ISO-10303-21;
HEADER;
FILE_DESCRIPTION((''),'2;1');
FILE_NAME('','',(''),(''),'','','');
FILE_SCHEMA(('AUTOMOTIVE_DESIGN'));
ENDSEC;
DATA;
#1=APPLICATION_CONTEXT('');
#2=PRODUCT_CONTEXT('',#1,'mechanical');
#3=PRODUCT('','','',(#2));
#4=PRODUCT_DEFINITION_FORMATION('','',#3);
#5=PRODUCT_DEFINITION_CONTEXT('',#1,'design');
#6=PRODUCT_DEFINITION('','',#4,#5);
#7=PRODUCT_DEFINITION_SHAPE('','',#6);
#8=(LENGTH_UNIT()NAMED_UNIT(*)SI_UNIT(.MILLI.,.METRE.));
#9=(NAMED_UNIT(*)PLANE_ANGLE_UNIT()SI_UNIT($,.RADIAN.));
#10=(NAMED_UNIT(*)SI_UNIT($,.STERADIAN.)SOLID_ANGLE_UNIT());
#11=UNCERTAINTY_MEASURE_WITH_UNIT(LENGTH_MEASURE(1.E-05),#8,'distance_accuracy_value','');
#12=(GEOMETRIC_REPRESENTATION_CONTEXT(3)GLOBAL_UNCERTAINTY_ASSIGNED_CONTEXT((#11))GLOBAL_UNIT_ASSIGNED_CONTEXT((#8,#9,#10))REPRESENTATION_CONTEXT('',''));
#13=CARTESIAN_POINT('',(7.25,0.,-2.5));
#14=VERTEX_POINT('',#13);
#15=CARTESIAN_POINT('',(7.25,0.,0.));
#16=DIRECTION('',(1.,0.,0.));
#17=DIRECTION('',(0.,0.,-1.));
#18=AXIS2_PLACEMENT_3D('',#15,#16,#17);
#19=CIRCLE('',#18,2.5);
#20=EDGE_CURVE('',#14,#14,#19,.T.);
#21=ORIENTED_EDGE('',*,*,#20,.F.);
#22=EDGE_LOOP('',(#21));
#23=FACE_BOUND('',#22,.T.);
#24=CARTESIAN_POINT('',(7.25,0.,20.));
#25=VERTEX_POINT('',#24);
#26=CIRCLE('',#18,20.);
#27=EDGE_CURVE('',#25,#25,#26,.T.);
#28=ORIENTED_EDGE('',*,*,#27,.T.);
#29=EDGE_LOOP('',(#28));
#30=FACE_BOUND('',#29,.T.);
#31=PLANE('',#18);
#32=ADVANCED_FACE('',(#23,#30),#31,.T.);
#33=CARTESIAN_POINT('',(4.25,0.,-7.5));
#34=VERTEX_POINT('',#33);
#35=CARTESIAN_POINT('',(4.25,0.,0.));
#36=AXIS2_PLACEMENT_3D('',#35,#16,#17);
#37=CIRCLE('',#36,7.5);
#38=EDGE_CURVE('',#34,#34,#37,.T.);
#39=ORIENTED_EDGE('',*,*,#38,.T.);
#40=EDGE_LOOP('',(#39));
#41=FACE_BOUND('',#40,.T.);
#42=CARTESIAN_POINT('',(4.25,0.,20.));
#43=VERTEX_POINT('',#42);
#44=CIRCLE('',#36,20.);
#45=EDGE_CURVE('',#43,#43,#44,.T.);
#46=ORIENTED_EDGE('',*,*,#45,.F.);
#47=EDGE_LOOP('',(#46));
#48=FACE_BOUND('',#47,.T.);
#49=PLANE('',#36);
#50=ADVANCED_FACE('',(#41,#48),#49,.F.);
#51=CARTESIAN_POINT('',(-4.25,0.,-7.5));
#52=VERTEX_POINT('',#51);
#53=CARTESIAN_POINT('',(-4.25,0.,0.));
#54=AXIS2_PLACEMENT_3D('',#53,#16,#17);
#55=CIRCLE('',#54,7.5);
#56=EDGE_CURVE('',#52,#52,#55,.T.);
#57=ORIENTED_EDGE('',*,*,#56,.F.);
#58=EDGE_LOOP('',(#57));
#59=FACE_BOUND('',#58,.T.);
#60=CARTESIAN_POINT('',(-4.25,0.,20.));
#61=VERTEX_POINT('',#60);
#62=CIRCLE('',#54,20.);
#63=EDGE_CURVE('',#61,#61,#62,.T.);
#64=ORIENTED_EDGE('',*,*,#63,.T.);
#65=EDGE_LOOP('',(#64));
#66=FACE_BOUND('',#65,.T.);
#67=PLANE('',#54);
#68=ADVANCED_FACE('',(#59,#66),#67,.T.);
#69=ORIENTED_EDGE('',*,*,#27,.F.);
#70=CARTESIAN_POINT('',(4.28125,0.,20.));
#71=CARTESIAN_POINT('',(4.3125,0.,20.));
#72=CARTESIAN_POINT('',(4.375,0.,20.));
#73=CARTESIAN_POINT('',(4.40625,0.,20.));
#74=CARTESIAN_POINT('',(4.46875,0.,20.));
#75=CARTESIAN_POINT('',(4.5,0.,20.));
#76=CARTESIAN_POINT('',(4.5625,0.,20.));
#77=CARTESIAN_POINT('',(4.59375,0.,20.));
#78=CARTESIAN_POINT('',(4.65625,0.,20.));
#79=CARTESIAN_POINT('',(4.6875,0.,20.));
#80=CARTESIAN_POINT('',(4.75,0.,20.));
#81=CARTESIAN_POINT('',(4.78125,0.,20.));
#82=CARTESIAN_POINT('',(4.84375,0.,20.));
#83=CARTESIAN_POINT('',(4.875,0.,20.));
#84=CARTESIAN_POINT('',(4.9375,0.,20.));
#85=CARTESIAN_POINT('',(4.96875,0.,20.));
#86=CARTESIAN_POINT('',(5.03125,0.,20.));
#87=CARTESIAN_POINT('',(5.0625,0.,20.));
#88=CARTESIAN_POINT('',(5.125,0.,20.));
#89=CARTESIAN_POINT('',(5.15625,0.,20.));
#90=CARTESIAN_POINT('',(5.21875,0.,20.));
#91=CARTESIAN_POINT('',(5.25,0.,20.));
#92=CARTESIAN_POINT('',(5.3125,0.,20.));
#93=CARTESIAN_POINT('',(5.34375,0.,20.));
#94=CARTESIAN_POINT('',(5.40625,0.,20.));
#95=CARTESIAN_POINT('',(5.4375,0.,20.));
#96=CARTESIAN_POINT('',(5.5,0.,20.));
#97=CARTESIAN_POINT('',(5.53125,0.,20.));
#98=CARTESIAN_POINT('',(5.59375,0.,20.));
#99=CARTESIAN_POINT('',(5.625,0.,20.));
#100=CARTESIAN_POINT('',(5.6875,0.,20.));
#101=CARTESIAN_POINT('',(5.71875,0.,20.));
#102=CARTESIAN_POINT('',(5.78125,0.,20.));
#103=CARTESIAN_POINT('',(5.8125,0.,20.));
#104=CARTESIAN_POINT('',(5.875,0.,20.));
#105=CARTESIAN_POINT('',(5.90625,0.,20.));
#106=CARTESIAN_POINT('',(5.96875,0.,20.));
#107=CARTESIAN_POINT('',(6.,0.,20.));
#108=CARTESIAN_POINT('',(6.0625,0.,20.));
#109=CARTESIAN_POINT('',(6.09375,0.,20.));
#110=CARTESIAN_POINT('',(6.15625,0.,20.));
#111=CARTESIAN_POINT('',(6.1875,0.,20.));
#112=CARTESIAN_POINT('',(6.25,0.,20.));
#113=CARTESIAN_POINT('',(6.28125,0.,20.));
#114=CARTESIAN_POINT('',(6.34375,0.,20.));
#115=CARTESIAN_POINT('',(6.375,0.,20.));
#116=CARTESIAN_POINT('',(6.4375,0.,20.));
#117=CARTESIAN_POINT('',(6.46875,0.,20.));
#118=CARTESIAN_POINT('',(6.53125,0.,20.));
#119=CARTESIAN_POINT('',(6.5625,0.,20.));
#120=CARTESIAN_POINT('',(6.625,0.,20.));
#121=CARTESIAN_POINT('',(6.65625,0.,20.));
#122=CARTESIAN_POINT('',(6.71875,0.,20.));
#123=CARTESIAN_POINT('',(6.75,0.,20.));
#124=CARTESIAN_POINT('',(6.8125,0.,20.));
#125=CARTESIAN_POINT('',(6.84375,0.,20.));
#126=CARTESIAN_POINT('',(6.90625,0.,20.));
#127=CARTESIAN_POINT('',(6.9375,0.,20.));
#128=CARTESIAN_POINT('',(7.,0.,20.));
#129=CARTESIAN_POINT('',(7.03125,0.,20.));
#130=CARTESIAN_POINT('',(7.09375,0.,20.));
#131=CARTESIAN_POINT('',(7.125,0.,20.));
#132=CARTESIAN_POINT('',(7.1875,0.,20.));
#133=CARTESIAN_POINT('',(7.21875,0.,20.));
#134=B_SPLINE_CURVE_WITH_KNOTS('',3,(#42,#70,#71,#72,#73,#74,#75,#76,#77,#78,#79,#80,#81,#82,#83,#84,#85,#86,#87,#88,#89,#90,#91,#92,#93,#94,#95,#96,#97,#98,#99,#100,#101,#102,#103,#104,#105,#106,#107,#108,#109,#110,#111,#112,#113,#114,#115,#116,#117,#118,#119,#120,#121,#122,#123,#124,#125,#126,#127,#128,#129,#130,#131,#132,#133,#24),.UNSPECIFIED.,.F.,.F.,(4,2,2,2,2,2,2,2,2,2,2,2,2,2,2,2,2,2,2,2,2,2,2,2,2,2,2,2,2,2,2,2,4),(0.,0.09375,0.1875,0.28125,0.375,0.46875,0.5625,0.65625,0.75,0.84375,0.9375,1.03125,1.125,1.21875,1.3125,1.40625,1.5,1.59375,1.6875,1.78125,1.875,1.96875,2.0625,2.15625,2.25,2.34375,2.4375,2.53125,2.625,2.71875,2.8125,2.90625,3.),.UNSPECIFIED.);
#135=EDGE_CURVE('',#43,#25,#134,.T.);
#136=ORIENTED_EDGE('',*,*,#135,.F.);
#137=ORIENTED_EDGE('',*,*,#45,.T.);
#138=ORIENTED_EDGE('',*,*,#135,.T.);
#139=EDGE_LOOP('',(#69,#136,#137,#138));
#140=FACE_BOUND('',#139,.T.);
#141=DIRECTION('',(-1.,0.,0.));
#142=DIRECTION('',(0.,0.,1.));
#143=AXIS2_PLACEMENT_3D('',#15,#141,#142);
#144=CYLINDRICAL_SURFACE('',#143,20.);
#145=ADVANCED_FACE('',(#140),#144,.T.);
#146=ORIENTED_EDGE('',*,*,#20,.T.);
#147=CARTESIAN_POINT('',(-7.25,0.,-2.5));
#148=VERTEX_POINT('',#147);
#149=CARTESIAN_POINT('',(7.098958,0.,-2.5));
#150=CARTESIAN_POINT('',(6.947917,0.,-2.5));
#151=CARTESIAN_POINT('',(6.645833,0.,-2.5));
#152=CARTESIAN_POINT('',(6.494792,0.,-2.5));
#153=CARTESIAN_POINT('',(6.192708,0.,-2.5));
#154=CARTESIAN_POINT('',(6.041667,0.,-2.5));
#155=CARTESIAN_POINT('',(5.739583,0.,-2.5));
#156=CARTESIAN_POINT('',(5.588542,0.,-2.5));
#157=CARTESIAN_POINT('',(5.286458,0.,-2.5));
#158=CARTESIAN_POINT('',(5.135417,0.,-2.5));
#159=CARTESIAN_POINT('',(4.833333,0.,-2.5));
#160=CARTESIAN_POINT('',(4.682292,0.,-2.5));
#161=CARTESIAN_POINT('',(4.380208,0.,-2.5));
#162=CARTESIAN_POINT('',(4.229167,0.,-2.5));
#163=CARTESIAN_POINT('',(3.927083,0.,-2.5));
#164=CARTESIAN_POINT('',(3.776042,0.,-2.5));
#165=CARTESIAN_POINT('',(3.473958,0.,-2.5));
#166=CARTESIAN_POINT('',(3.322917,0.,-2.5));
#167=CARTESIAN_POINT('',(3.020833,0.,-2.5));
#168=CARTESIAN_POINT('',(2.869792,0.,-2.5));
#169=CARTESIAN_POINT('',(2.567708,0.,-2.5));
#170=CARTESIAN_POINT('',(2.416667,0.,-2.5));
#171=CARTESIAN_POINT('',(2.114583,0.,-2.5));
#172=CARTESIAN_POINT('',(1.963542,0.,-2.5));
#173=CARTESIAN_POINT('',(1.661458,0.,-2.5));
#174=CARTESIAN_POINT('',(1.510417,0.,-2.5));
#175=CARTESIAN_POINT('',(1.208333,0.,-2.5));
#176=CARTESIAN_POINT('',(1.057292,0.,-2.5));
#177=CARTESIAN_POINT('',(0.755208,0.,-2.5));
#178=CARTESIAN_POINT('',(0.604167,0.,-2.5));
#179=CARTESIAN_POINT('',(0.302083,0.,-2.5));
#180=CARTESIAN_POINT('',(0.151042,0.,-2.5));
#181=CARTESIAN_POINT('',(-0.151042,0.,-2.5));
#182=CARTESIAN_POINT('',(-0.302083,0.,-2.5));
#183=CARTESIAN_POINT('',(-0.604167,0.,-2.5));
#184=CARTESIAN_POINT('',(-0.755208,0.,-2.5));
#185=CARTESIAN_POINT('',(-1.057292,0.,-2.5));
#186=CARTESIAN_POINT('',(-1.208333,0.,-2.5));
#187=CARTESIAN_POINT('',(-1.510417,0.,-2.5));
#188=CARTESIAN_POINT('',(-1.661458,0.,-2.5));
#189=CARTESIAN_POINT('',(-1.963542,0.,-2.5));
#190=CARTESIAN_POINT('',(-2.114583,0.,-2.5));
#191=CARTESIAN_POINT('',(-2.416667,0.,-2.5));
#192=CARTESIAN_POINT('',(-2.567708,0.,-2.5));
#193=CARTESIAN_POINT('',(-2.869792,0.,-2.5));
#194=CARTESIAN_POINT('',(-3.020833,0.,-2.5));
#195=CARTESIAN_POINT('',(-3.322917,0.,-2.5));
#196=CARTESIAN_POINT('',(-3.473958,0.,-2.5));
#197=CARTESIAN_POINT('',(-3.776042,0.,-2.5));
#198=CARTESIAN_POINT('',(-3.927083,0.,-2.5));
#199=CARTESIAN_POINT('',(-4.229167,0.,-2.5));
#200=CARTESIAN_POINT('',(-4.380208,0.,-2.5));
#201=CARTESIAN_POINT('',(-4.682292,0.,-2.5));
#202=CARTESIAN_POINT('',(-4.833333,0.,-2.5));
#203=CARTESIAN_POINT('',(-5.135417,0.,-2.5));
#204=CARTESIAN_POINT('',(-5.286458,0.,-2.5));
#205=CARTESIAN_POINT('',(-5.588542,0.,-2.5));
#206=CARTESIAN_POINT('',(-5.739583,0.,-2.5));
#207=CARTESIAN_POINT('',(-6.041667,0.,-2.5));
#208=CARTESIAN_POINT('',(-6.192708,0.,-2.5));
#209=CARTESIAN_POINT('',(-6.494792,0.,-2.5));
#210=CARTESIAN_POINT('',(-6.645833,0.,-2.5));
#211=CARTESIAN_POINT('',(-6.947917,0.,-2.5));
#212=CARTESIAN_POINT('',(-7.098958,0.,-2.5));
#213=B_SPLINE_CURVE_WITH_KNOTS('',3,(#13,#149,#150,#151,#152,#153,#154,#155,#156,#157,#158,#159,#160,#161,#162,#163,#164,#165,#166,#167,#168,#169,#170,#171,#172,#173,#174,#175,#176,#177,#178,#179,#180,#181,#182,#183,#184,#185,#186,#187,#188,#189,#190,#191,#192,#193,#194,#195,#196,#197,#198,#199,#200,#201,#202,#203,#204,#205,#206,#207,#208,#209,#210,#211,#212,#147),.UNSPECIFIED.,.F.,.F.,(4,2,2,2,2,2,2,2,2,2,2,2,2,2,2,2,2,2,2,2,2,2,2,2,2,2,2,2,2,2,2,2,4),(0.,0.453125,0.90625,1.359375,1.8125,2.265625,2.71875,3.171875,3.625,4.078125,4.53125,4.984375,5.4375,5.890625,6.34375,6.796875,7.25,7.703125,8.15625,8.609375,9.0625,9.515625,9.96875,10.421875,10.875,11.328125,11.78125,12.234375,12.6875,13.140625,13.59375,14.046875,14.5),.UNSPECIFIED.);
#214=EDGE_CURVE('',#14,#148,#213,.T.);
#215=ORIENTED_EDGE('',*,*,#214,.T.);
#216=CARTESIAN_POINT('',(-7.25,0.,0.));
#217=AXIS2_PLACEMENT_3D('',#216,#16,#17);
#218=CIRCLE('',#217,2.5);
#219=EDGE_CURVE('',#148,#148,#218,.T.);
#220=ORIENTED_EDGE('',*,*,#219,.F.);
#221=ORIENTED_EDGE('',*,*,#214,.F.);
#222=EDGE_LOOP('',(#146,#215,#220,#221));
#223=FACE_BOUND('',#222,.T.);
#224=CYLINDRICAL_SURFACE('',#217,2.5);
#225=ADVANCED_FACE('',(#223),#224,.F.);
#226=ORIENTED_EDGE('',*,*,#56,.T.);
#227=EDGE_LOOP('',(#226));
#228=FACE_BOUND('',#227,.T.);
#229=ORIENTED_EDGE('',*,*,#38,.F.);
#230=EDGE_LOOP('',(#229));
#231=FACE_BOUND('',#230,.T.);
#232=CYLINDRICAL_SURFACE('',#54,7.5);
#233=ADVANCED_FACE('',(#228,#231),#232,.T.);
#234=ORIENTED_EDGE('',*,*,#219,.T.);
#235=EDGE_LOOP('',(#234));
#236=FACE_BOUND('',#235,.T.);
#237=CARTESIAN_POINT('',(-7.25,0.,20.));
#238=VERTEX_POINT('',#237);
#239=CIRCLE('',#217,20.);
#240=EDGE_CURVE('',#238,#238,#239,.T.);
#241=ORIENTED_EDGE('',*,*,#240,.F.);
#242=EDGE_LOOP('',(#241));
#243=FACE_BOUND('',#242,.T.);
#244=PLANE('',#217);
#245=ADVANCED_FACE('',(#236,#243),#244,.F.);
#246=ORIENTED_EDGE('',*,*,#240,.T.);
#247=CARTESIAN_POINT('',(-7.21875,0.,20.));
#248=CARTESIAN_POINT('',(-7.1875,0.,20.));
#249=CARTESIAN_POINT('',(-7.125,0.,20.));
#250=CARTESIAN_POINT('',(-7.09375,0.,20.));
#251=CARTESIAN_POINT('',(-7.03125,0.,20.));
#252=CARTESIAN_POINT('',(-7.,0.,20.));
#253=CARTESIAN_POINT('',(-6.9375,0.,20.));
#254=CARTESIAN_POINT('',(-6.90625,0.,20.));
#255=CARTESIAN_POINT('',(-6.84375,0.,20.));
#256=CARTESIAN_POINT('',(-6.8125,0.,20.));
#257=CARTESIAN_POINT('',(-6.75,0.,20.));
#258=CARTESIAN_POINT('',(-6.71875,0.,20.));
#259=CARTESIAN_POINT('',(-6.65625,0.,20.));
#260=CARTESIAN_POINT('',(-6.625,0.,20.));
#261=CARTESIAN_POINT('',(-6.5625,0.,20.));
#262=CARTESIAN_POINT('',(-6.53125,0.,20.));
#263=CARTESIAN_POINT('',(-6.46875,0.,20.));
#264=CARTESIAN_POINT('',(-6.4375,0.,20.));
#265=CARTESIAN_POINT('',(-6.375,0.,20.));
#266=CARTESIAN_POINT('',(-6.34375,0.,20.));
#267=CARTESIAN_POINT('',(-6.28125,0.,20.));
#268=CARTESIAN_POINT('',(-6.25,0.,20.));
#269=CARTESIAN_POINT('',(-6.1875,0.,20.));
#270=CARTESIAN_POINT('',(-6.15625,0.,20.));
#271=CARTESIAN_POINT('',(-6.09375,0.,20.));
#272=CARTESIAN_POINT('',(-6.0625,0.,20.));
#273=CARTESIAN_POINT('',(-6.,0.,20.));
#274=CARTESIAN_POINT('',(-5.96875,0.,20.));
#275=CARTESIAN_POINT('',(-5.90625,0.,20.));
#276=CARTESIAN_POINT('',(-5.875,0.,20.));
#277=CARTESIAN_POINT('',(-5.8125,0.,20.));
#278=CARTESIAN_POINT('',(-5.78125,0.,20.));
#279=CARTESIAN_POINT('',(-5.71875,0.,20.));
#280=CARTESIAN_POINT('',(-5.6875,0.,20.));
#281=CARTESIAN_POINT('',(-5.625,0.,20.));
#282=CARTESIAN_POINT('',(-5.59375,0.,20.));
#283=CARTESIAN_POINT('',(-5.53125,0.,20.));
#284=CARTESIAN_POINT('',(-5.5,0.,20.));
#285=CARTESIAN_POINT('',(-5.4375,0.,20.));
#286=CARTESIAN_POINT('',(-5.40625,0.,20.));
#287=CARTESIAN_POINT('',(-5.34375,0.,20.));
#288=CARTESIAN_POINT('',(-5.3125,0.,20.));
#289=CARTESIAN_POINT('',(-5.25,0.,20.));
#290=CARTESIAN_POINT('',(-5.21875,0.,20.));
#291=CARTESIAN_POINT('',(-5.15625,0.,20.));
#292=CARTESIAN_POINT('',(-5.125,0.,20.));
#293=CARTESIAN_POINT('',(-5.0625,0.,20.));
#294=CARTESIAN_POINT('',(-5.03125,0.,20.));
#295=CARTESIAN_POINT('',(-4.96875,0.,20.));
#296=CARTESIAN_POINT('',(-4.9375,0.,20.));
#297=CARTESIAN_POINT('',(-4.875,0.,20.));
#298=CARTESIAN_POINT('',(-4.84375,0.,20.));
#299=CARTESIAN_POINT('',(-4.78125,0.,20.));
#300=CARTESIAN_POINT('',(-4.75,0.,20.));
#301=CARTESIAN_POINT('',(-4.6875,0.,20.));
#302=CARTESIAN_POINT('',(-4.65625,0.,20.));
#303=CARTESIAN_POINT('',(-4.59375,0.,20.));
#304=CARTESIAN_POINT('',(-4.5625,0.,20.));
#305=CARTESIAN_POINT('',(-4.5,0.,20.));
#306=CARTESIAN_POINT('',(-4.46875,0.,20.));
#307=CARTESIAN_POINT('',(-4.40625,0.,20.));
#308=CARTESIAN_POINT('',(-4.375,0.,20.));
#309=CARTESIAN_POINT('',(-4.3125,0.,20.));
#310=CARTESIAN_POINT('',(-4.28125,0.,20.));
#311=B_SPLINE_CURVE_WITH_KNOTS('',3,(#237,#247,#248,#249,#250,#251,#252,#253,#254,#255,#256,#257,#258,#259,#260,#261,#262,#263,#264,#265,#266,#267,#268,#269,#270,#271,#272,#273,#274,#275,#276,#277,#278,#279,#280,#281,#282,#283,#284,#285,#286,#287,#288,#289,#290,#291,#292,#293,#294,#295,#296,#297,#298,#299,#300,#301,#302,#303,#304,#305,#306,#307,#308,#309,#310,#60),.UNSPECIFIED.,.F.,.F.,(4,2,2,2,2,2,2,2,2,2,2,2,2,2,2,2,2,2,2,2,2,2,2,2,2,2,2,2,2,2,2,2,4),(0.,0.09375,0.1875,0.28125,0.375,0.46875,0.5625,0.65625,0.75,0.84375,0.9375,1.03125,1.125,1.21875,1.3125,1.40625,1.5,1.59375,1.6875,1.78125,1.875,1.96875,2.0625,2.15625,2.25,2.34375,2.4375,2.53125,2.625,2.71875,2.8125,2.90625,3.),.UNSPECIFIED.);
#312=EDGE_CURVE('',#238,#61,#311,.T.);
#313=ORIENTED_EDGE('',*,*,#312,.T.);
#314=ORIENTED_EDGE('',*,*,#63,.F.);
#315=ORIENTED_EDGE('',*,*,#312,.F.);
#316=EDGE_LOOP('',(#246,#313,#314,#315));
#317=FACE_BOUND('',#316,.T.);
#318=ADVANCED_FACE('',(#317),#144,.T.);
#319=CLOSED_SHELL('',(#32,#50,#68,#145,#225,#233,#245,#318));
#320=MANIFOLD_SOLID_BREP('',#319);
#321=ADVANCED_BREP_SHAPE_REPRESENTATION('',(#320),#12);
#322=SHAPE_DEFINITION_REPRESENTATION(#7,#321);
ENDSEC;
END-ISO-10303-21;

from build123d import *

# Parameters (mm, degrees)
SKETCH1_R               = 20
BOSS_EXTRUDE1_DEPTH     = 7.25
SKETCH2_R               = 20
SKETCH2_R_2             = 7.5
CUT_EXTRUDE1_DEPTH      = 4.25
CUT_EXTRUDE2_DEPTH      = 32.784430151
CUT_EXTRUDE2_DEPTH_BACK = 32.784430151
SKETCH3_R               = 2.5


with BuildPart() as part:
    # Sketch1 → Boss-Extrude1 (new, symmetric)
    with BuildSketch(Plane(origin=(0, 0, 0), x_dir=(0, 0, -1), z_dir=(1, 0, 0))):
        with Locations(Location((0, 0, 0), (0, 0, 180))):
            Circle(SKETCH1_R)
    extrude(amount=BOSS_EXTRUDE1_DEPTH, both=True)

    # Sketch2 → Cut-Extrude1 (cut, symmetric)
    with BuildSketch(Plane(origin=(0, 0, 0), x_dir=(0, 0, -1), z_dir=(1, 0, 0))):
        with Locations(Location((0, 0, 0), (0, 0, 180))):
            Circle(SKETCH2_R)
        Circle(SKETCH2_R_2, mode=Mode.SUBTRACT)
    extrude(amount=CUT_EXTRUDE1_DEPTH, both=True, mode=Mode.SUBTRACT)

    # Sketch3 → Cut-Extrude2 (cut, two sides: drawn at the far end of the back side and taken through both)
    with BuildSketch(Plane(origin=(7.25, 0, 0), x_dir=(0, 0, -1), z_dir=(1, 0, 0)).offset(-CUT_EXTRUDE2_DEPTH_BACK)):
        Circle(SKETCH3_R)
    extrude(amount=CUT_EXTRUDE2_DEPTH + CUT_EXTRUDE2_DEPTH_BACK, mode=Mode.SUBTRACT)


solid = part.part
